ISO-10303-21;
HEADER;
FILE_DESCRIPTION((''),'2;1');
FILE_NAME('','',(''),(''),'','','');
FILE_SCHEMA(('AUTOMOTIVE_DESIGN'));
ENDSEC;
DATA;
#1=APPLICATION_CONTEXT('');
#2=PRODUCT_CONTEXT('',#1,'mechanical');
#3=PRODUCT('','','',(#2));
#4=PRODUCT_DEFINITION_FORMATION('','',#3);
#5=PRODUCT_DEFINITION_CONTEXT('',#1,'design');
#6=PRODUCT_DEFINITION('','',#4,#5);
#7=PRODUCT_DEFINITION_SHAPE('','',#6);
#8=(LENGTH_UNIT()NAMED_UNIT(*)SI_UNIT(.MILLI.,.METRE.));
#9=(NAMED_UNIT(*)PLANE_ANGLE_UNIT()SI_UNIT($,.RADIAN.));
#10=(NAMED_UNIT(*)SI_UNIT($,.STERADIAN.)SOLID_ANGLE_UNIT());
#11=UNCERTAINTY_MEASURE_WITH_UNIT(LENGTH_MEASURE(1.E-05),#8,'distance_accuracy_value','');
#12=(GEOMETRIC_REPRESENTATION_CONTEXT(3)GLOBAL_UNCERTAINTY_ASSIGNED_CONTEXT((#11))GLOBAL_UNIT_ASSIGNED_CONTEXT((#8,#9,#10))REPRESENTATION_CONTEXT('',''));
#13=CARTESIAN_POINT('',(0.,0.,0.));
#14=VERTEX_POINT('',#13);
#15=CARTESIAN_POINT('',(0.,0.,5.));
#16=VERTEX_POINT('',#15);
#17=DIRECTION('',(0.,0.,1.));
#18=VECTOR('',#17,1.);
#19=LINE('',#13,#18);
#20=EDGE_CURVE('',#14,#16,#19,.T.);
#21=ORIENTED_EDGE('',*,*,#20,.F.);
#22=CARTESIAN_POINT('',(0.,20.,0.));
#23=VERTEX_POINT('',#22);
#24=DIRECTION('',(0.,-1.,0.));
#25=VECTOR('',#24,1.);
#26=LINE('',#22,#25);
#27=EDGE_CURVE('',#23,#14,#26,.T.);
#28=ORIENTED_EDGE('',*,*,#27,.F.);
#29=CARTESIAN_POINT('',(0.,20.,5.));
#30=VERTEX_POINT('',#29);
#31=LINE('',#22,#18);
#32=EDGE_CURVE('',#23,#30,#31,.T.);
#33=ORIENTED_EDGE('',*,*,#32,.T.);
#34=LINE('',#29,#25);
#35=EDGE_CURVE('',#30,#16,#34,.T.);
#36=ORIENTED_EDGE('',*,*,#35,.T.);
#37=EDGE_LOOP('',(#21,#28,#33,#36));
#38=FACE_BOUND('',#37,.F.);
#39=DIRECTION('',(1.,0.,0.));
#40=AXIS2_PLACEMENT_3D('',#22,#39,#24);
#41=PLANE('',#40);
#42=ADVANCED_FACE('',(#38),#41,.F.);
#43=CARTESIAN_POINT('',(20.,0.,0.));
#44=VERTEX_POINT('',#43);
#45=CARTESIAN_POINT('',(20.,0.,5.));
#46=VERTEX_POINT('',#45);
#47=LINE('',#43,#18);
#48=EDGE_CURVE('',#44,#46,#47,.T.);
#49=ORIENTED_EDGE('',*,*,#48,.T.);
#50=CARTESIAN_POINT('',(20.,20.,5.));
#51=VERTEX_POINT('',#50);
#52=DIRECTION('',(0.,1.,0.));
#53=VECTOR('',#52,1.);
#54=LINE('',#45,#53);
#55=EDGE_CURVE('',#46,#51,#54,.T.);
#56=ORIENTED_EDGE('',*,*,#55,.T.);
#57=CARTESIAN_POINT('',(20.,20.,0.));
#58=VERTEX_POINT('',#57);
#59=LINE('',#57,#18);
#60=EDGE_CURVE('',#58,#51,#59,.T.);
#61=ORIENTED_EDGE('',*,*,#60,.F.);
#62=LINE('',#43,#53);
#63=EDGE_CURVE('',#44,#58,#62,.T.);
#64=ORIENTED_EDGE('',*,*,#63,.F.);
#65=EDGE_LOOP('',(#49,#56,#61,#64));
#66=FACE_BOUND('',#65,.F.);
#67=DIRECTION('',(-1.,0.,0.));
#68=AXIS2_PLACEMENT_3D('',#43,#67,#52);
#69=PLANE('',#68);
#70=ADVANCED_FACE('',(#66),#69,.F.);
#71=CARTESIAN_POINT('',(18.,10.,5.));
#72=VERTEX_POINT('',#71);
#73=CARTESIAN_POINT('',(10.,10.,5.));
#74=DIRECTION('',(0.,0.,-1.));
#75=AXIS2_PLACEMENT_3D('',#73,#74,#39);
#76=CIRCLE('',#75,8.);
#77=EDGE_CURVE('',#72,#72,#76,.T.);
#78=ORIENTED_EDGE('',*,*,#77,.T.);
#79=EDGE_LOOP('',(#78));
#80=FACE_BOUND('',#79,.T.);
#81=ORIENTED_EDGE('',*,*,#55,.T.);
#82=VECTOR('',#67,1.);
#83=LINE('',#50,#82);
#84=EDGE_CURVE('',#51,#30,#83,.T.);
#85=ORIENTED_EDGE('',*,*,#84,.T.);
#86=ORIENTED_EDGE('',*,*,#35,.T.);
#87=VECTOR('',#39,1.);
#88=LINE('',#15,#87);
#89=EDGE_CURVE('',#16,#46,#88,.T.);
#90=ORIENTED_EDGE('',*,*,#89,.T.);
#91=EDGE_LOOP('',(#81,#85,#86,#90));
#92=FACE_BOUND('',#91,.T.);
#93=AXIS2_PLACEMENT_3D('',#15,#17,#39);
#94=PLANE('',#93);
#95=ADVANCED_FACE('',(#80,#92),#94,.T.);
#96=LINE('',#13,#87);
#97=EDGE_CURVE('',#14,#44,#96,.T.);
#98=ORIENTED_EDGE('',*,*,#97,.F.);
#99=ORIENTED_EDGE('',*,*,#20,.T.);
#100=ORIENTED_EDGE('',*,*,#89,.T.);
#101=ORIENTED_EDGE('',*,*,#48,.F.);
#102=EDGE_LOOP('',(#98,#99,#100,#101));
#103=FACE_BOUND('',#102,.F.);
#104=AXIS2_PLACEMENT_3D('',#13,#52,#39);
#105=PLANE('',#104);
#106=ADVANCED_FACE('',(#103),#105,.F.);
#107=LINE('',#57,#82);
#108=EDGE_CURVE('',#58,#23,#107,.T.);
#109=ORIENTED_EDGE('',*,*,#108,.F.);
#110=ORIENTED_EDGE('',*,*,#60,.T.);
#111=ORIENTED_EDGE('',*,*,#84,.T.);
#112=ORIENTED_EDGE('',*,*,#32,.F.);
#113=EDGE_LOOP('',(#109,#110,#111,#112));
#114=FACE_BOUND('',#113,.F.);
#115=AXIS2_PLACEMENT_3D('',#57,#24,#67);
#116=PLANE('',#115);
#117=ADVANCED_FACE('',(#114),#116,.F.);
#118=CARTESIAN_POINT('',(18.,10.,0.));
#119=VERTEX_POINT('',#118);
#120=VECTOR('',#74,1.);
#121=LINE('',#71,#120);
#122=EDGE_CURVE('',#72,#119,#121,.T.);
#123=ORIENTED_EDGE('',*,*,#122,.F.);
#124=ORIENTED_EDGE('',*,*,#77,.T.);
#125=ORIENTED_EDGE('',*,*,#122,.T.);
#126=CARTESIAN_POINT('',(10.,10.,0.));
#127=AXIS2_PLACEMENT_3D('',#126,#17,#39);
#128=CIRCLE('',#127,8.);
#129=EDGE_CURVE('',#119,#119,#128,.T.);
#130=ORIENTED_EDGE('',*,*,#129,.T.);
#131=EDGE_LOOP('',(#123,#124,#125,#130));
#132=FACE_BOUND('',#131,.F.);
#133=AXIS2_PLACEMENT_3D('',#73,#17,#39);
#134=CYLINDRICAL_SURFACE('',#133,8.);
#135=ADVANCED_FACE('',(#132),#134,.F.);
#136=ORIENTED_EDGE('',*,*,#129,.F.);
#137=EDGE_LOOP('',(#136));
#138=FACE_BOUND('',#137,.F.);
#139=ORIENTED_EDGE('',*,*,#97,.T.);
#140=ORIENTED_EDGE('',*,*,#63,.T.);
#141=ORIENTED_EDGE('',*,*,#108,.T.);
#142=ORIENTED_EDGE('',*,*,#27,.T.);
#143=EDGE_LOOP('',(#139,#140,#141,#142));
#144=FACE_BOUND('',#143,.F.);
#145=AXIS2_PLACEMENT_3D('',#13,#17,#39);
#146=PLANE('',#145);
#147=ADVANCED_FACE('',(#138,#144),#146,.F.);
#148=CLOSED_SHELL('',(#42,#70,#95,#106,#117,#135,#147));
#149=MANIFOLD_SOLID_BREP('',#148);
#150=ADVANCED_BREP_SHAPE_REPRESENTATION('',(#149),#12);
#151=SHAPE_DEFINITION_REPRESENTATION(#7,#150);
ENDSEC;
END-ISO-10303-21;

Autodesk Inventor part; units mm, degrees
ref_plane "YZ Plane" through (0, 0, 0) normal (1, 0, 0) x (0, 1, 0)
ref_plane "XZ Plane" through (0, 0, 0) normal (0, 1, 0) x (-1, 0, 0)
ref_plane "XY Plane" through (0, 0, 0) normal (0, 0, 1) x (1, 0, 0)
sketch "Sketch1" plane through (0, 0, 0) normal (0, 0, 1) x (1, 0, 0)
  line L0 (0, 0) -> (20, 0)
  line L1 (20, 0) -> (20, 20)
  line L2 (20, 20) -> (0, 20)
  line L3 (0, 20) -> (0, 0)
  dimension "d0" = 20
  dimension "d1" = 20
extrude "Extrusion1" add sketch "Sketch1" along normal blind 5
sketch "Sketch2" plane through (0, 0, 5) normal (0, 0, 1) x (1, 0, 0)
  line L0 (0, 0) -> (10, 0)
  line L1 (0, 0) -> (20, 0) projected
  line L2 (10, 0) -> (10, 10)
  circle A0 centre (10, 10) radius 8
  dimension "d4" = 10
  dimension "d5" = 10
  dimension "d6" = 16
extrude "Extrusion2" cut sketch "Sketch2" against normal through all
thread "Thread1" size "M16x2" class "6H" standard "ANSI Metric M Profile" full length
properties part number "DC MOTOR NUT FOR CAPPING SYSTEM"
